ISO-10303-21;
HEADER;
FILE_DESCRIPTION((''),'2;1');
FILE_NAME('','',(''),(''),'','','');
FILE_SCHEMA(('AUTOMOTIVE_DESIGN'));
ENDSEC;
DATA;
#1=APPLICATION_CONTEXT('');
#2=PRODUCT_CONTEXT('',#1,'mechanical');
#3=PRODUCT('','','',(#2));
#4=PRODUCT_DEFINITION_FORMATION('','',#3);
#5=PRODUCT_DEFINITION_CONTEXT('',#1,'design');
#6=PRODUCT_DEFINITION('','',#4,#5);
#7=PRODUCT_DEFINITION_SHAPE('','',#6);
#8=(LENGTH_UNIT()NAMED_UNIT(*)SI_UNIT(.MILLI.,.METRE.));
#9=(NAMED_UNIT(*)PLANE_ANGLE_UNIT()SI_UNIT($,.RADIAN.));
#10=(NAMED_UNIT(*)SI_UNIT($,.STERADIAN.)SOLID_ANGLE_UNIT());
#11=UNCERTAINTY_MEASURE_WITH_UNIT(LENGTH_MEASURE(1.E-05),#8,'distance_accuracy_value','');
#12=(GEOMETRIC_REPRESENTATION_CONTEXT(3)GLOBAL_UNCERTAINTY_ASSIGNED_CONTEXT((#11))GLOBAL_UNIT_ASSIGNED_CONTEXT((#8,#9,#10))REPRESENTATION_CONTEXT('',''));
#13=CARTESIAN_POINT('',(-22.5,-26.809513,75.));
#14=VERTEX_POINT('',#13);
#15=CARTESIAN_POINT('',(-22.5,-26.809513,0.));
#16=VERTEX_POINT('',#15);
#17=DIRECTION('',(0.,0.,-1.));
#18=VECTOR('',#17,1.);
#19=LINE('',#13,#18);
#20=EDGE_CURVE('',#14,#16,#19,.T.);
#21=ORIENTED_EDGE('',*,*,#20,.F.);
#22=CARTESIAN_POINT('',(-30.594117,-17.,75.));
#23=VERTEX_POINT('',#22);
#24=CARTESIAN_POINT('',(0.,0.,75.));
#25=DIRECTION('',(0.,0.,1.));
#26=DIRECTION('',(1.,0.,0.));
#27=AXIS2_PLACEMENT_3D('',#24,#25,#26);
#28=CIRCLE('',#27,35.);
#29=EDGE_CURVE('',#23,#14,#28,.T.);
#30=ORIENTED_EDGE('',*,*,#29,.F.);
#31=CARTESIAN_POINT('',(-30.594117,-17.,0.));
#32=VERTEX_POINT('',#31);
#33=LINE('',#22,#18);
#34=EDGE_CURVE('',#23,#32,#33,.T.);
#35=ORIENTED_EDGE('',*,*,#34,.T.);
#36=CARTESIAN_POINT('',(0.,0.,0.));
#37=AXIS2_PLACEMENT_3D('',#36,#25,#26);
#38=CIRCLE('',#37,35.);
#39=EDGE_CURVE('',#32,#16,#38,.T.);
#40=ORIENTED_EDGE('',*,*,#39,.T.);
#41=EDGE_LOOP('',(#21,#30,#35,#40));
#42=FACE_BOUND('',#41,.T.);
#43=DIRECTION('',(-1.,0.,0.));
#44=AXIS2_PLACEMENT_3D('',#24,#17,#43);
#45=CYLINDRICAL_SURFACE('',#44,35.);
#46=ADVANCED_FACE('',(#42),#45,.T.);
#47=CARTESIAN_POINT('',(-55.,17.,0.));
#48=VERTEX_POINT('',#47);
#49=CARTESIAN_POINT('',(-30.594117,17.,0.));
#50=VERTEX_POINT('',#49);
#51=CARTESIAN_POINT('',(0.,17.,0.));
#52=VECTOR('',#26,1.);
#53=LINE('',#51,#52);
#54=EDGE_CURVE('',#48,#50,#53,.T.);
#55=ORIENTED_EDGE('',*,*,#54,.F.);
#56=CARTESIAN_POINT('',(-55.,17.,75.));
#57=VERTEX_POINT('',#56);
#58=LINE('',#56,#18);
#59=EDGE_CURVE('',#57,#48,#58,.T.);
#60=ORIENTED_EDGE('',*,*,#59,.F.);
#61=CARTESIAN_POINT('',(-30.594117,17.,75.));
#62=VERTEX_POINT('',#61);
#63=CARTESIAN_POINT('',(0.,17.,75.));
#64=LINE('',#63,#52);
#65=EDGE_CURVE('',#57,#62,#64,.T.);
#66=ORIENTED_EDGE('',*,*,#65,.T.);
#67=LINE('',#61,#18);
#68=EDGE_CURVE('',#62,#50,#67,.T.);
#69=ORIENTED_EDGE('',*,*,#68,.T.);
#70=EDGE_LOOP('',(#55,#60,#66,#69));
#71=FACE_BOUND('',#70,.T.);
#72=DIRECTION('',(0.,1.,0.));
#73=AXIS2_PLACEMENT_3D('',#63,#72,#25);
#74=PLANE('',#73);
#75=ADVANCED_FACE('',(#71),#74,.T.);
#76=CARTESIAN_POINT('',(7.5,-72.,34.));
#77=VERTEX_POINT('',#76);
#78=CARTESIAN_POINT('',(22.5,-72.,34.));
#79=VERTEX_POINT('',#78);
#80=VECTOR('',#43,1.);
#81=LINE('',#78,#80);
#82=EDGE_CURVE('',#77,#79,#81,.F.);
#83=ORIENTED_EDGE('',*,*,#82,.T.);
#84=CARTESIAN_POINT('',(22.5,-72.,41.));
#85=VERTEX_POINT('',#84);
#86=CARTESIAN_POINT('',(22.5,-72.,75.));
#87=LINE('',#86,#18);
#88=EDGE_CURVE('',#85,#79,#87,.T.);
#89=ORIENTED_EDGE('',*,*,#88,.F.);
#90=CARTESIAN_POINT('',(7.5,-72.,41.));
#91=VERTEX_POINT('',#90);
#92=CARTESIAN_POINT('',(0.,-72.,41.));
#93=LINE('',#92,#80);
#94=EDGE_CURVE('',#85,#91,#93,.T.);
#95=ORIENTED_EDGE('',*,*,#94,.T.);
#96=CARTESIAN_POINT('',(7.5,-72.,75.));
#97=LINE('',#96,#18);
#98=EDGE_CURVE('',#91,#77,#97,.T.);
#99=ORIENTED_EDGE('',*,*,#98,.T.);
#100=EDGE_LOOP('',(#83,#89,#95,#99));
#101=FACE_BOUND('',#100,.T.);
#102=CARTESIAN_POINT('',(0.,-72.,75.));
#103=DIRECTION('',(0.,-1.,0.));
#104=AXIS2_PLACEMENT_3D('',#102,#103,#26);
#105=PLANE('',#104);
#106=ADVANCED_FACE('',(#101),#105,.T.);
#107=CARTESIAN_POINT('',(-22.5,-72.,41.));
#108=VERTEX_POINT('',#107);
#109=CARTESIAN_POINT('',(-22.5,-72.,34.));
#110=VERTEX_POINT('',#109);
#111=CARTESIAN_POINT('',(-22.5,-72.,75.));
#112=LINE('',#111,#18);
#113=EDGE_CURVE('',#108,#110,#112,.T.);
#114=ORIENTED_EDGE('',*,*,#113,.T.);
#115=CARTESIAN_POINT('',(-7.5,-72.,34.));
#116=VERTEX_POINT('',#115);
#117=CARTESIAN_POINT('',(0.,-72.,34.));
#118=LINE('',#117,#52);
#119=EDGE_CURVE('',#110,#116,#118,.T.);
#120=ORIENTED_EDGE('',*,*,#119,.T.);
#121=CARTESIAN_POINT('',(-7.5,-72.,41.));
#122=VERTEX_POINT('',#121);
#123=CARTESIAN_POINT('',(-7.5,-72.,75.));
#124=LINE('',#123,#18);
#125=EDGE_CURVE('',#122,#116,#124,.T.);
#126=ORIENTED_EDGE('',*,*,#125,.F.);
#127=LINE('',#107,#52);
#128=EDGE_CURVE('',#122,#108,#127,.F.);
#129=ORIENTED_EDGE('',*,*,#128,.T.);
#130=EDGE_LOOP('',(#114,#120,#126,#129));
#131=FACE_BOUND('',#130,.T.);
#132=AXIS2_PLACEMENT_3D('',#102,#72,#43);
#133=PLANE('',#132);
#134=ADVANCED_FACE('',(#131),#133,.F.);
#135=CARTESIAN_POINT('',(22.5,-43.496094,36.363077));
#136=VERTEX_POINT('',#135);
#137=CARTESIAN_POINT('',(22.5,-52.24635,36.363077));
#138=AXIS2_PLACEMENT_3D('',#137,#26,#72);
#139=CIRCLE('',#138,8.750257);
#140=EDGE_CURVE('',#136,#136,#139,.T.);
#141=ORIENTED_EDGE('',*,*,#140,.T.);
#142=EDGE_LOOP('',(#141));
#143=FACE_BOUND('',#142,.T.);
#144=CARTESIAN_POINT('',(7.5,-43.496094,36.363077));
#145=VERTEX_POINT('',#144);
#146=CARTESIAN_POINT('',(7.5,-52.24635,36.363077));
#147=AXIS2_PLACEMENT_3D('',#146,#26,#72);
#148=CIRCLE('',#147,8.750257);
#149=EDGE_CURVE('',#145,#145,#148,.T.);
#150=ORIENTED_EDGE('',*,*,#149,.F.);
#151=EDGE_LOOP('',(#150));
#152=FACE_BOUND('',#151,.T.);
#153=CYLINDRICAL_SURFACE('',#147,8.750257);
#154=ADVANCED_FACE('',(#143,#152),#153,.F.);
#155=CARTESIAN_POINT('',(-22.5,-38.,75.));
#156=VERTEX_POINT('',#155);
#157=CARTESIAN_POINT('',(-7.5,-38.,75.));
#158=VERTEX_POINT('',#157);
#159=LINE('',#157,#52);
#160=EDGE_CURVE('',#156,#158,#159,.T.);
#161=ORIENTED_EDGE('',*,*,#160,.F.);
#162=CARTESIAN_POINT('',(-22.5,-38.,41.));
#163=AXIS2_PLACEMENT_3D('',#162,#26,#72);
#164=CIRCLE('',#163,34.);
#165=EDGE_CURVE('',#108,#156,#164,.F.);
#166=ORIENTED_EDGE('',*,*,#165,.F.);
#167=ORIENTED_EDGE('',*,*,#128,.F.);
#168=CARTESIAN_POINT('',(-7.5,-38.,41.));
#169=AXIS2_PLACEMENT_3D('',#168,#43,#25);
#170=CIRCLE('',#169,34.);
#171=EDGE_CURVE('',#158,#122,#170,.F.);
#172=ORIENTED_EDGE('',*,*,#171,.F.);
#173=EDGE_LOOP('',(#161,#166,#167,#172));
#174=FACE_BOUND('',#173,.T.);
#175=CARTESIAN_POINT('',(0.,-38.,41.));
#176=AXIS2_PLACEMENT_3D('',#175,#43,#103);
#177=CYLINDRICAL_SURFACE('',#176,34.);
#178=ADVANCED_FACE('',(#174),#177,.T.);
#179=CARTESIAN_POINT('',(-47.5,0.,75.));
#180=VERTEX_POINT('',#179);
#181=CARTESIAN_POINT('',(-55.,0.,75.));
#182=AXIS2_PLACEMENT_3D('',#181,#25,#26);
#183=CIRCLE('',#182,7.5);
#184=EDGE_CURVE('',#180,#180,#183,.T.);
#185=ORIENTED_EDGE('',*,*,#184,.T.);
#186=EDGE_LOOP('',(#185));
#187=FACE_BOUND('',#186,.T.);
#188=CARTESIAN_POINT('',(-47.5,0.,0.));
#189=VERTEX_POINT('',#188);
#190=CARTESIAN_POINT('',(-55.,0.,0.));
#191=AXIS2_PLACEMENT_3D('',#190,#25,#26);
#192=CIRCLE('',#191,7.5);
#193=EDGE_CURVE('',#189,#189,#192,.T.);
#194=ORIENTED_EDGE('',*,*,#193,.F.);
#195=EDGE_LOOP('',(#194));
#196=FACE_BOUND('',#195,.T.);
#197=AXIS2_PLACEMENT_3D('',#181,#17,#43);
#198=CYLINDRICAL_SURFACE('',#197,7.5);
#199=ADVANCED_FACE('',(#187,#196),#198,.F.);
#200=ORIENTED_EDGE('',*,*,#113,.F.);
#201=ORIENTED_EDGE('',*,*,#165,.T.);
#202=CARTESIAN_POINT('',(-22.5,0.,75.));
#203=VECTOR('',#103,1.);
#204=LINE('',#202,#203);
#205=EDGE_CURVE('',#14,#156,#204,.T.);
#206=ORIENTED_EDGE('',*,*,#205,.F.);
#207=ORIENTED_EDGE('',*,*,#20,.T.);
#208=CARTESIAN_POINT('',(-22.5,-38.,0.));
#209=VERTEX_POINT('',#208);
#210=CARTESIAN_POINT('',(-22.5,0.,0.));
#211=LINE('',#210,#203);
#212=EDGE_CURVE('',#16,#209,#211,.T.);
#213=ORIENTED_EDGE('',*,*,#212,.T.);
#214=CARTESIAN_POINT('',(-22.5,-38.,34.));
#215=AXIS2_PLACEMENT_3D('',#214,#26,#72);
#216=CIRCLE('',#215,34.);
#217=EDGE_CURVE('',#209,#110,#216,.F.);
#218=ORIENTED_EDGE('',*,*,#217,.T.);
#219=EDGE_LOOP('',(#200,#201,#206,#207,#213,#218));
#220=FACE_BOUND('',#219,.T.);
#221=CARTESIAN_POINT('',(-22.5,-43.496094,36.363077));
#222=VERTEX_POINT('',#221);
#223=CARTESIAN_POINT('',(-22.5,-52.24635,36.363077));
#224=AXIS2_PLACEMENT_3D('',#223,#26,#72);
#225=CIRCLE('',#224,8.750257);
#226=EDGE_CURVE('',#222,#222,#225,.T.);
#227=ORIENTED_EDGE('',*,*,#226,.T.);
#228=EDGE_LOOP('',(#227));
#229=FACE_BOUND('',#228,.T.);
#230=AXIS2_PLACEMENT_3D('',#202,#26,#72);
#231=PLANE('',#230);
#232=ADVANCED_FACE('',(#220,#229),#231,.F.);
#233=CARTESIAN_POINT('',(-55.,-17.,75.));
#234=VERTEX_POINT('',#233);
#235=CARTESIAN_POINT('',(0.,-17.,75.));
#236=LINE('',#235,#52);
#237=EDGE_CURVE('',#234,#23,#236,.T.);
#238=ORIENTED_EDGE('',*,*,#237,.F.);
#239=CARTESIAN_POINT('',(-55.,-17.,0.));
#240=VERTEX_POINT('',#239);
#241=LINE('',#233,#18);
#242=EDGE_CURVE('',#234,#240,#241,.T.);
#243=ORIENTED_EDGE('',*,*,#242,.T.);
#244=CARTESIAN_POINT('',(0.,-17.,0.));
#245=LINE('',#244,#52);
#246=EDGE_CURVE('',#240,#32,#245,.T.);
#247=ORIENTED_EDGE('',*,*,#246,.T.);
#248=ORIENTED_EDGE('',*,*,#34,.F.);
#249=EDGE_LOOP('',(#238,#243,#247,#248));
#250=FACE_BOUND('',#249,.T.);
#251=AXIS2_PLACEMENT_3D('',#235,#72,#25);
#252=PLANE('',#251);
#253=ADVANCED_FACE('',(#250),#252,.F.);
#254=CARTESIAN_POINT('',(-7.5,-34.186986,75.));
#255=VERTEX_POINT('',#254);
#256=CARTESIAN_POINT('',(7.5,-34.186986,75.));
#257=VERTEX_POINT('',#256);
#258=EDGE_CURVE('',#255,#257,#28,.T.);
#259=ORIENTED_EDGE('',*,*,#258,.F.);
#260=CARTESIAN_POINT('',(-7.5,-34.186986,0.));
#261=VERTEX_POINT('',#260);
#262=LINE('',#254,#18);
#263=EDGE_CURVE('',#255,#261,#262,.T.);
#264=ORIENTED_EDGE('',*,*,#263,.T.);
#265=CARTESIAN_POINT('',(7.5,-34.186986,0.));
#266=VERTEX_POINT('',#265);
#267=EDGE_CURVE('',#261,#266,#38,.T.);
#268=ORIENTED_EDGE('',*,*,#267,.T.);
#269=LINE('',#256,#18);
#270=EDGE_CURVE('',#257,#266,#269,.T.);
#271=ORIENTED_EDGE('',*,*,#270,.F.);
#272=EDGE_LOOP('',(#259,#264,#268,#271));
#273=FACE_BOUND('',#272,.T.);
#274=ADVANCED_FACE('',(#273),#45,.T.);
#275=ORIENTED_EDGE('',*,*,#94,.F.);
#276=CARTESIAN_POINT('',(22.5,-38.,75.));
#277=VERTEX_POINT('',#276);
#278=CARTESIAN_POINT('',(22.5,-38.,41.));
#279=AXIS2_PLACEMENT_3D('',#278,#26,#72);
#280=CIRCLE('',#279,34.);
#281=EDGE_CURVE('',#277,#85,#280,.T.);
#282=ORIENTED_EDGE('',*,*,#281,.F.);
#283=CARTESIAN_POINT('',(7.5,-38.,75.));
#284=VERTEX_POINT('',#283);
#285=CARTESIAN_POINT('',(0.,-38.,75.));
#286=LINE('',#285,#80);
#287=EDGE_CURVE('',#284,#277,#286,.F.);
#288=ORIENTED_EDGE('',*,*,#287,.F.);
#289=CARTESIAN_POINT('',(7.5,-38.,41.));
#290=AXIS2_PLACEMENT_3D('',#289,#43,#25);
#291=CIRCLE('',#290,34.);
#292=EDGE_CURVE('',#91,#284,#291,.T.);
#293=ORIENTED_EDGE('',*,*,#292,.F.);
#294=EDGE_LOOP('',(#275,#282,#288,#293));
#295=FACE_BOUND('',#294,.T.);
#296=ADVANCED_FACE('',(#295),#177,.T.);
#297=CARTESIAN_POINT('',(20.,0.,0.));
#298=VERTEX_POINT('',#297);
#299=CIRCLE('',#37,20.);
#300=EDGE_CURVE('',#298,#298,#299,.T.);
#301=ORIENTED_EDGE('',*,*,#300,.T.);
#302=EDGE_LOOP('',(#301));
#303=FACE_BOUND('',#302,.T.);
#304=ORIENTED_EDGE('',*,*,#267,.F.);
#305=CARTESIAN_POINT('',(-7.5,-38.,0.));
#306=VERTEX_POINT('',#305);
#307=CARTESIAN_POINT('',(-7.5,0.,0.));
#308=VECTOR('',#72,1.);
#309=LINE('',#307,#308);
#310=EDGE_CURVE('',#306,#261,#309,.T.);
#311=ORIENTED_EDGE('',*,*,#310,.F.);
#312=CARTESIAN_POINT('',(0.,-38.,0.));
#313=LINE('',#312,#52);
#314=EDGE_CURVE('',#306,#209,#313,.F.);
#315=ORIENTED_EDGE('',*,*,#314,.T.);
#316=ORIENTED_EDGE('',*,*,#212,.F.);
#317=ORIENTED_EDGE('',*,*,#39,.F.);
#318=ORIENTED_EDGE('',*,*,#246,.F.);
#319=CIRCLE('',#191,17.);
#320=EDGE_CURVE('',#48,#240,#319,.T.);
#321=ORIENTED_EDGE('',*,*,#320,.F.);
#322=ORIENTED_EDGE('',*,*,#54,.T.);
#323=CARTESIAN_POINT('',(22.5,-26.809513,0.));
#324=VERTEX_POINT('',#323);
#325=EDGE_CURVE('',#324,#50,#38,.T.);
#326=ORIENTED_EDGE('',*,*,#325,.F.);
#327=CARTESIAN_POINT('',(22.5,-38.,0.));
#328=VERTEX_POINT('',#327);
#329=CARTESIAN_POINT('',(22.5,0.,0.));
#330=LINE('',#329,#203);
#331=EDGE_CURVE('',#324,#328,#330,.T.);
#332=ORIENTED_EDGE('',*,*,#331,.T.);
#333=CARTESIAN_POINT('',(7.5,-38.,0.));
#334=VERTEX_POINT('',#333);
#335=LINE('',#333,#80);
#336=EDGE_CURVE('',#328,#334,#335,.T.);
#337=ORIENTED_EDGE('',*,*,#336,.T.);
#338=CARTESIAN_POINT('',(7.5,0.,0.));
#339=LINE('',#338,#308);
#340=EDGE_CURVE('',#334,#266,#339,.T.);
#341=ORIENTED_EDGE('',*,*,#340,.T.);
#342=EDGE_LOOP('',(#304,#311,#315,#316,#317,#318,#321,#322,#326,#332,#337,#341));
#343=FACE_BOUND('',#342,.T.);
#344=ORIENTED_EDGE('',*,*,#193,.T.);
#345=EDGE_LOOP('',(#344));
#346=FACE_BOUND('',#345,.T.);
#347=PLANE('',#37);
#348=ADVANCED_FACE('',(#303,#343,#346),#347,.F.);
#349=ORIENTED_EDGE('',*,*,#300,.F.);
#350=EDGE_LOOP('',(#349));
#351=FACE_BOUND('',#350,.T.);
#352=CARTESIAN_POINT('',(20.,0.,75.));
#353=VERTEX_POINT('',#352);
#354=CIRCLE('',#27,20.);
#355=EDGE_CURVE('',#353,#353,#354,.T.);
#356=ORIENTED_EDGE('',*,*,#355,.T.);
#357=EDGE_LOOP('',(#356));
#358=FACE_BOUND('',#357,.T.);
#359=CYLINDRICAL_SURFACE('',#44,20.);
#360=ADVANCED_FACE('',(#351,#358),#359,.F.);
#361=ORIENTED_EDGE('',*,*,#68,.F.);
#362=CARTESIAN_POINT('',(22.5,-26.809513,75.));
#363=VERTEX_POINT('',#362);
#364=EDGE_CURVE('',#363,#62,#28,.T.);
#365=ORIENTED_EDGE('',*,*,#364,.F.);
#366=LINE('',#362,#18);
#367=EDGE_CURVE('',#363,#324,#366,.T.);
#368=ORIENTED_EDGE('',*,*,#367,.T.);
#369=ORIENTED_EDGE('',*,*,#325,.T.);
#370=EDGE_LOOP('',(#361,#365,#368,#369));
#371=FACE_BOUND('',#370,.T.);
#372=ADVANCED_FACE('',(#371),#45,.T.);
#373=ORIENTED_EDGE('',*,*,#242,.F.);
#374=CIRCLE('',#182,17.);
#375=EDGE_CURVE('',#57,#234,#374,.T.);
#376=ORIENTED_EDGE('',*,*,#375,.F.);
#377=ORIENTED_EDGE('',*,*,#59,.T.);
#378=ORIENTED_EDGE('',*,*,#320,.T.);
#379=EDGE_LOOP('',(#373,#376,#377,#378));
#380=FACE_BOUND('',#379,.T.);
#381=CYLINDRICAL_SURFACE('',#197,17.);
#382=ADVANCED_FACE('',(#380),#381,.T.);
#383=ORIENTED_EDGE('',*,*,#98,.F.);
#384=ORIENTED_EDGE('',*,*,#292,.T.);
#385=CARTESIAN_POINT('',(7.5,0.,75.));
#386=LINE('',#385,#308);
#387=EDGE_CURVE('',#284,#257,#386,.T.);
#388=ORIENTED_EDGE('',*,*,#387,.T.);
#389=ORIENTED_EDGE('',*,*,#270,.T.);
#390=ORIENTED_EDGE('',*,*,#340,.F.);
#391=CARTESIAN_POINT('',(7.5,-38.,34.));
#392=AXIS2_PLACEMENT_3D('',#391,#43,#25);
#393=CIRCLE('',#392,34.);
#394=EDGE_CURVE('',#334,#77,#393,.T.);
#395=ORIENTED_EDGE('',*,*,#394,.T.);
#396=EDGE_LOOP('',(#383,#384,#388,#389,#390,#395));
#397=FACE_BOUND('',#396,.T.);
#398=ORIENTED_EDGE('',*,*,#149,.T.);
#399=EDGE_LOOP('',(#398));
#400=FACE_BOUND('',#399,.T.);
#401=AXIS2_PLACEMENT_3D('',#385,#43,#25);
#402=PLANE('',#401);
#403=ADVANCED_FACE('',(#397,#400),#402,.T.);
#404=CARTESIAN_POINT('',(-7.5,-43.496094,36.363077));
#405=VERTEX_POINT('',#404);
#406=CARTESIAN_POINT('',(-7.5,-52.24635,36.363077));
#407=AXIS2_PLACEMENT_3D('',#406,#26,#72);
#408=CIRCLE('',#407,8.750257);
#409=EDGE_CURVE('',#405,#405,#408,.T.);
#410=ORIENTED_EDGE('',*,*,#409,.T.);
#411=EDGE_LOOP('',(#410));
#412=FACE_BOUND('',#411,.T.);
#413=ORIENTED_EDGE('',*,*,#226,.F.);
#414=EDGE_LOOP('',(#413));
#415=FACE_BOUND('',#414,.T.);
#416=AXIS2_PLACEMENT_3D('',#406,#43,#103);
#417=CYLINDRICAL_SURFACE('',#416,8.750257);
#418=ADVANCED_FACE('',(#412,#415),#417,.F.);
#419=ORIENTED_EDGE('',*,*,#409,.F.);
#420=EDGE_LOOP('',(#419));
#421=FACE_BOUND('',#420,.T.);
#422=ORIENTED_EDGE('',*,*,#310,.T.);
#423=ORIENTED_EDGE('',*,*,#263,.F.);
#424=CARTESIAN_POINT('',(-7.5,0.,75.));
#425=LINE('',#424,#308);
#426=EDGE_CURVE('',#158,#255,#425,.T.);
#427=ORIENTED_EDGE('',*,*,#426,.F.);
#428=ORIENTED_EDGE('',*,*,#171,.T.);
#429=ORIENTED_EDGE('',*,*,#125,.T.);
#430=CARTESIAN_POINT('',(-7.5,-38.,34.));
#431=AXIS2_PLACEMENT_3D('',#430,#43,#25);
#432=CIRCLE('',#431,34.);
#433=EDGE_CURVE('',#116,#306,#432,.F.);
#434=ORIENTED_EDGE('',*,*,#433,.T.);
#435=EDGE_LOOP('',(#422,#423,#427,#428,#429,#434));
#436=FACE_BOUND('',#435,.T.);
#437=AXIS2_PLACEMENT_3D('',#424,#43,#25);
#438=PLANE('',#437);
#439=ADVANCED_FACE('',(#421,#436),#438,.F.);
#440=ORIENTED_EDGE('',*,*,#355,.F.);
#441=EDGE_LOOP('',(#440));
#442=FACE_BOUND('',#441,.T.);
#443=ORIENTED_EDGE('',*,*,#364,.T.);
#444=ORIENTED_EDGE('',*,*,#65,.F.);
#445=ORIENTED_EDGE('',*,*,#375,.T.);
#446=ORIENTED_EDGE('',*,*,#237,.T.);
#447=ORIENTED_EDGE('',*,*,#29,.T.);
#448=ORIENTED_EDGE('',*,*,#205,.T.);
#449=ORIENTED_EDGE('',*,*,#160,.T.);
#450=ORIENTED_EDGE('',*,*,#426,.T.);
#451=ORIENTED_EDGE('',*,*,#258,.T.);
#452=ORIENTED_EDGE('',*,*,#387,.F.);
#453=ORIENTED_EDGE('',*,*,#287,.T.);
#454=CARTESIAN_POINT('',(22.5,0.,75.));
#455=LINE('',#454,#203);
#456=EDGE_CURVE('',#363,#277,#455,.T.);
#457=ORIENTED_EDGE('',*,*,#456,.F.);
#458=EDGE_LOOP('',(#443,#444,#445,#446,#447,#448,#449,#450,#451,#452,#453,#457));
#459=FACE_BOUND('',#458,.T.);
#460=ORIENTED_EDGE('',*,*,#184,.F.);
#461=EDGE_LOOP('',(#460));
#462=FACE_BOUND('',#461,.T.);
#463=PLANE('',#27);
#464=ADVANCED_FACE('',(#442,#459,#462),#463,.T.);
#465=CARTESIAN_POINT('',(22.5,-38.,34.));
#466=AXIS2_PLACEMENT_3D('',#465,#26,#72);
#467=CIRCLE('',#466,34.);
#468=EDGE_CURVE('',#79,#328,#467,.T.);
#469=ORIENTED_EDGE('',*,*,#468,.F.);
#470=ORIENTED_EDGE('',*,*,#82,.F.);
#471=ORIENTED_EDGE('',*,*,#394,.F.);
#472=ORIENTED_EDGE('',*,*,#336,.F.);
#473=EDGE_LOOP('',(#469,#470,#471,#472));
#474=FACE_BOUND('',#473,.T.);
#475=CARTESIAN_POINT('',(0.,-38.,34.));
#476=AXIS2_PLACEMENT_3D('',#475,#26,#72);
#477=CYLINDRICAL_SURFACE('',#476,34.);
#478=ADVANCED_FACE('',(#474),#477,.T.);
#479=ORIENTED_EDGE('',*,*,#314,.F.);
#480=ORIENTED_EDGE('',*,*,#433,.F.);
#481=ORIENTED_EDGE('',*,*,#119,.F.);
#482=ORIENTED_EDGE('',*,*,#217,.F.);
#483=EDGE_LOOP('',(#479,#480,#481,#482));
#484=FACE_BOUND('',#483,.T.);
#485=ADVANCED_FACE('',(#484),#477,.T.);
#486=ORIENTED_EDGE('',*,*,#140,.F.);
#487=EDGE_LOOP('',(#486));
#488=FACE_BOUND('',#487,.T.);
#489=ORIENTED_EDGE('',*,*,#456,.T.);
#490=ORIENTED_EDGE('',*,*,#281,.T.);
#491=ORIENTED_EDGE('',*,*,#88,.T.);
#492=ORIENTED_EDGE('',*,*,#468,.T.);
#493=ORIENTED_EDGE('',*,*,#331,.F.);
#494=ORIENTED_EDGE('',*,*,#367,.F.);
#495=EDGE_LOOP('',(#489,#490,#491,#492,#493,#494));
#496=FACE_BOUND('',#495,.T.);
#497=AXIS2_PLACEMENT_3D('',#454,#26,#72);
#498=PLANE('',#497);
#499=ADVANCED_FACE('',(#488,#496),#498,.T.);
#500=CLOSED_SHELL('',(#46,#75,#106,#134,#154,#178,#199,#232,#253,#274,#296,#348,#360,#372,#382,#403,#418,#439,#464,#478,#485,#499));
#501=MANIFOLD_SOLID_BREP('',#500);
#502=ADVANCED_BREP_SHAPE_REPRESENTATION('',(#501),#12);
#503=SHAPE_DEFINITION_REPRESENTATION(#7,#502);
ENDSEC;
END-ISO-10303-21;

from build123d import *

# Parameters (mm, degrees)
SKETCH1_R           = 7.5
SKETCH1_R_2         = 20
BOSS_EXTRUDE1_DEPTH = 75
BOSS_EXTRUDE2_DEPTH = 75
FILLET6_R           = 34
FILLET8_R           = 34
SKETCH3_R           = 8.750256672
CUT_EXTRUDE1_DEPTH  = 15


with BuildPart() as part:
    # Sketch1 → Boss-Extrude1 (new body)
    with BuildSketch(Plane.XY):
        with BuildLine():
            Line((-55, -17), (-30.594117082, -17))
            ThreePointArc((-30.594117082, -17), (35, 0), (-30.594117082, 17))
            Line((-30.594117082, 17), (-55, 17))
            ThreePointArc((-55, 17), (-72, 0), (-55, -17))
        make_face()
        with Locations((-55, 0)):
            Circle(SKETCH1_R, mode=Mode.SUBTRACT)
        Circle(SKETCH1_R_2, mode=Mode.SUBTRACT)
    extrude(amount=BOSS_EXTRUDE1_DEPTH)

    # Sketch1<12> → Boss-Extrude2 (add)
    with BuildSketch(Plane.XY):
        with BuildLine():
            Line((22.5, -72), (22.5, -26.809513237))
            ThreePointArc((22.5, -26.809513237), (15.446901808, -31.406897722), (7.5, -34.186985828))
            Line((7.5, -34.186985828), (7.5, -72))
            Line((7.5, -72), (22.5, -72))
        make_face()
        with BuildLine():
            ThreePointArc((-7.5, -34.186985828), (-15.446901808, -31.406897722), (-22.5, -26.809513237))
            Line((-22.5, -26.809513237), (-22.5, -72))
            Line((-22.5, -72), (-7.5, -72))
            Line((-7.5, -72), (-7.5, -34.186985828))
        make_face()
    extrude(amount=BOSS_EXTRUDE2_DEPTH)

    # Fillet6
    fillet6_edges = [part.edges().sort_by_distance(p)[0] for p in [
        (-15, -72, 0),
        (-15, -72, 75),
    ]]
    fillet(fillet6_edges, radius=FILLET6_R)

    # Fillet8
    fillet8_edges = [part.edges().sort_by_distance(p)[0] for p in [
        (15, -72, 0),
        (15, -72, 75),
    ]]
    fillet(fillet8_edges, radius=FILLET8_R)

    # Sketch3 → Cut-Extrude1 (cut)
    with BuildSketch(Plane(origin=(22.5, 0, 0), x_dir=(0, 0, -1), z_dir=(1, 0, 0))):
        with Locations((-36.363077214, -52.246350357)):
            Circle(SKETCH3_R)
    cut_extrude1 = extrude(amount=-CUT_EXTRUDE1_DEPTH, mode=Mode.SUBTRACT)

    # Mirror2: Cut-Extrude1 across plane
    add(cut_extrude1.mirror(Plane(origin=(0, 0, 0), x_dir=(0, 0, 1), z_dir=(1, 0, 0))), mode=Mode.SUBTRACT)


solid = part.part
